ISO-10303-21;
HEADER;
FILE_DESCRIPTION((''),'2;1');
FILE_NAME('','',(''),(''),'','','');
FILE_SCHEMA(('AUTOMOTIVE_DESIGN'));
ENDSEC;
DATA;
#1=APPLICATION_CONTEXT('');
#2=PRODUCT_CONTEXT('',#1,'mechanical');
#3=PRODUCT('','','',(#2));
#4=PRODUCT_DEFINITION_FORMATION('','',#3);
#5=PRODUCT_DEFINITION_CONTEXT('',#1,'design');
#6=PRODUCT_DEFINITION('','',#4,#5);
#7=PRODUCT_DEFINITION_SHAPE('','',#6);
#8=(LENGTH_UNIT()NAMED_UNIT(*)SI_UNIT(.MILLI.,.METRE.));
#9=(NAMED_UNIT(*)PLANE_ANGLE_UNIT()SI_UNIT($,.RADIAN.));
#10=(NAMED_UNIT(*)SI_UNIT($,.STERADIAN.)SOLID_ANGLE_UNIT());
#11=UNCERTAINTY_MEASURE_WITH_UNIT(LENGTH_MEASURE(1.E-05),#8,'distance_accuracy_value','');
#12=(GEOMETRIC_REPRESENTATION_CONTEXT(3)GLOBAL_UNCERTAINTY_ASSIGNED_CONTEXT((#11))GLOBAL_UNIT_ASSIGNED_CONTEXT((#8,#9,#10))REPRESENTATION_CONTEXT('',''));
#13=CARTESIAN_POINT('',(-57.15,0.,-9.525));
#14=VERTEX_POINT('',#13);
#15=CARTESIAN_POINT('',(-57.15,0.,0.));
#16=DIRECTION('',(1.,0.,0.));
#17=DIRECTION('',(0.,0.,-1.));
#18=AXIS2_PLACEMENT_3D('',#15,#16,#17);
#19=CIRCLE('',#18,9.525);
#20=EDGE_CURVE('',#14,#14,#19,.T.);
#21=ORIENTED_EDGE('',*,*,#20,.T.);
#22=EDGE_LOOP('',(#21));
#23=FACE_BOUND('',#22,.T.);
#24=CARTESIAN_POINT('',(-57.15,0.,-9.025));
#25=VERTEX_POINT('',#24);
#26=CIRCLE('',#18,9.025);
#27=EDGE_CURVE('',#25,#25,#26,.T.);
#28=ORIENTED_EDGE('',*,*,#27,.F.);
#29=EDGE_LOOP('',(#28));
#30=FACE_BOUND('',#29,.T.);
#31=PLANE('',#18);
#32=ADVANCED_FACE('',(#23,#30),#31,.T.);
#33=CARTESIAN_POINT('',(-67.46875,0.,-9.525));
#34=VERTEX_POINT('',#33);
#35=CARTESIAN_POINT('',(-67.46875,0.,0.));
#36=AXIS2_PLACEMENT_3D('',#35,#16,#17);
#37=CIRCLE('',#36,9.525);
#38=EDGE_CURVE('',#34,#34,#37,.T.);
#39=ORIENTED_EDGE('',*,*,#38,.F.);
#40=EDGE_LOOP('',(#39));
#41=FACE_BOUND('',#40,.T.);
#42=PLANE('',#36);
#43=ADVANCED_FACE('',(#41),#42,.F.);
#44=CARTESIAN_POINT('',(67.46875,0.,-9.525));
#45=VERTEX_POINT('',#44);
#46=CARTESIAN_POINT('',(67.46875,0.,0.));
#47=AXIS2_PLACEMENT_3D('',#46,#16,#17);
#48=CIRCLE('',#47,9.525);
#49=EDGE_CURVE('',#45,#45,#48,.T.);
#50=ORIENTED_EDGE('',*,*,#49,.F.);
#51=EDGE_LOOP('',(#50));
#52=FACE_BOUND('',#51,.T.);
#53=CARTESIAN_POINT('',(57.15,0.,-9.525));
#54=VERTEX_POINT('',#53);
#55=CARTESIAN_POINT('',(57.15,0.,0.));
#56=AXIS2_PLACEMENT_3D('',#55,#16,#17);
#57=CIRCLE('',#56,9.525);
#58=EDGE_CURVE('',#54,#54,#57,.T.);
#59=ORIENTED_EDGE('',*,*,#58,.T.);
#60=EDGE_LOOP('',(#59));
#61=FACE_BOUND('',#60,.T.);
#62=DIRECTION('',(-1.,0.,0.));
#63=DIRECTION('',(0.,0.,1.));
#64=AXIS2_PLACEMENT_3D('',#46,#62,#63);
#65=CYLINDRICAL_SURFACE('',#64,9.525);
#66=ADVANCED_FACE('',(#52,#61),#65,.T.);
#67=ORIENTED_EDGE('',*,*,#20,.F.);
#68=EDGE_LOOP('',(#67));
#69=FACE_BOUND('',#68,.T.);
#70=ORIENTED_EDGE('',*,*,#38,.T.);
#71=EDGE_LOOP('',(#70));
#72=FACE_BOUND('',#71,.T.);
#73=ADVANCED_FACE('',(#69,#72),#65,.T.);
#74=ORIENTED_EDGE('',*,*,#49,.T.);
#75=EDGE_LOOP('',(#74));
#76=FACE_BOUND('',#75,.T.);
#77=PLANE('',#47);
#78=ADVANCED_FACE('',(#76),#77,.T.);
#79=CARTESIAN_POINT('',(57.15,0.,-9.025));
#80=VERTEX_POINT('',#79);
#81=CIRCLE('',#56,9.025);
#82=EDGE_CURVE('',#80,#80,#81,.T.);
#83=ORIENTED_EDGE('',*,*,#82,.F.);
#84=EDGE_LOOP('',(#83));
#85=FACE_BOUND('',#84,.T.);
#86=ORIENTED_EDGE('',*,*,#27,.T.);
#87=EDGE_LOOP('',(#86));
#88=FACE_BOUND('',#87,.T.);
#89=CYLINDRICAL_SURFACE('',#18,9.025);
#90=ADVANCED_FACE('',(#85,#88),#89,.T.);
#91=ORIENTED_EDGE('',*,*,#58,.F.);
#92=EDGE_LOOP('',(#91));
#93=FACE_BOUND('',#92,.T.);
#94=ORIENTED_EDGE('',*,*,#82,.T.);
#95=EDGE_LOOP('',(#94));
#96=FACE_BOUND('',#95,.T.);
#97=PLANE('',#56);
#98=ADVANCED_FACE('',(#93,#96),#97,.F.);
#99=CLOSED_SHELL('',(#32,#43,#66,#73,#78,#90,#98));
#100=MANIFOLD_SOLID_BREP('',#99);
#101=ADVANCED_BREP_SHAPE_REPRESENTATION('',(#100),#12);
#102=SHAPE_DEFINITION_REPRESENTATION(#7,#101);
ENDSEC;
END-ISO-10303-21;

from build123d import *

# Parameters (mm, degrees)
SKETCH1_R           = 9.525
BOSS_EXTRUDE1_DEPTH = 67.46875
SKETCH2_R           = 9.525
SKETCH2_R_2         = 9.025
CUT_EXTRUDE1_DEPTH  = 57.15


with BuildPart() as part:
    # Sketch1 → Boss-Extrude1 (new, symmetric)
    with BuildSketch(Plane(origin=(0, 0, 0), x_dir=(0, 0, -1), z_dir=(1, 0, 0))):
        Circle(SKETCH1_R)
    extrude(amount=BOSS_EXTRUDE1_DEPTH, both=True)

    # Sketch2 → Cut-Extrude1 (cut, symmetric)
    with BuildSketch(Plane(origin=(0, 0, 0), x_dir=(0, 0, -1), z_dir=(1, 0, 0))):
        Circle(SKETCH2_R)
        Circle(SKETCH2_R_2, mode=Mode.SUBTRACT)
    extrude(amount=CUT_EXTRUDE1_DEPTH, both=True, mode=Mode.SUBTRACT)


solid = part.part
